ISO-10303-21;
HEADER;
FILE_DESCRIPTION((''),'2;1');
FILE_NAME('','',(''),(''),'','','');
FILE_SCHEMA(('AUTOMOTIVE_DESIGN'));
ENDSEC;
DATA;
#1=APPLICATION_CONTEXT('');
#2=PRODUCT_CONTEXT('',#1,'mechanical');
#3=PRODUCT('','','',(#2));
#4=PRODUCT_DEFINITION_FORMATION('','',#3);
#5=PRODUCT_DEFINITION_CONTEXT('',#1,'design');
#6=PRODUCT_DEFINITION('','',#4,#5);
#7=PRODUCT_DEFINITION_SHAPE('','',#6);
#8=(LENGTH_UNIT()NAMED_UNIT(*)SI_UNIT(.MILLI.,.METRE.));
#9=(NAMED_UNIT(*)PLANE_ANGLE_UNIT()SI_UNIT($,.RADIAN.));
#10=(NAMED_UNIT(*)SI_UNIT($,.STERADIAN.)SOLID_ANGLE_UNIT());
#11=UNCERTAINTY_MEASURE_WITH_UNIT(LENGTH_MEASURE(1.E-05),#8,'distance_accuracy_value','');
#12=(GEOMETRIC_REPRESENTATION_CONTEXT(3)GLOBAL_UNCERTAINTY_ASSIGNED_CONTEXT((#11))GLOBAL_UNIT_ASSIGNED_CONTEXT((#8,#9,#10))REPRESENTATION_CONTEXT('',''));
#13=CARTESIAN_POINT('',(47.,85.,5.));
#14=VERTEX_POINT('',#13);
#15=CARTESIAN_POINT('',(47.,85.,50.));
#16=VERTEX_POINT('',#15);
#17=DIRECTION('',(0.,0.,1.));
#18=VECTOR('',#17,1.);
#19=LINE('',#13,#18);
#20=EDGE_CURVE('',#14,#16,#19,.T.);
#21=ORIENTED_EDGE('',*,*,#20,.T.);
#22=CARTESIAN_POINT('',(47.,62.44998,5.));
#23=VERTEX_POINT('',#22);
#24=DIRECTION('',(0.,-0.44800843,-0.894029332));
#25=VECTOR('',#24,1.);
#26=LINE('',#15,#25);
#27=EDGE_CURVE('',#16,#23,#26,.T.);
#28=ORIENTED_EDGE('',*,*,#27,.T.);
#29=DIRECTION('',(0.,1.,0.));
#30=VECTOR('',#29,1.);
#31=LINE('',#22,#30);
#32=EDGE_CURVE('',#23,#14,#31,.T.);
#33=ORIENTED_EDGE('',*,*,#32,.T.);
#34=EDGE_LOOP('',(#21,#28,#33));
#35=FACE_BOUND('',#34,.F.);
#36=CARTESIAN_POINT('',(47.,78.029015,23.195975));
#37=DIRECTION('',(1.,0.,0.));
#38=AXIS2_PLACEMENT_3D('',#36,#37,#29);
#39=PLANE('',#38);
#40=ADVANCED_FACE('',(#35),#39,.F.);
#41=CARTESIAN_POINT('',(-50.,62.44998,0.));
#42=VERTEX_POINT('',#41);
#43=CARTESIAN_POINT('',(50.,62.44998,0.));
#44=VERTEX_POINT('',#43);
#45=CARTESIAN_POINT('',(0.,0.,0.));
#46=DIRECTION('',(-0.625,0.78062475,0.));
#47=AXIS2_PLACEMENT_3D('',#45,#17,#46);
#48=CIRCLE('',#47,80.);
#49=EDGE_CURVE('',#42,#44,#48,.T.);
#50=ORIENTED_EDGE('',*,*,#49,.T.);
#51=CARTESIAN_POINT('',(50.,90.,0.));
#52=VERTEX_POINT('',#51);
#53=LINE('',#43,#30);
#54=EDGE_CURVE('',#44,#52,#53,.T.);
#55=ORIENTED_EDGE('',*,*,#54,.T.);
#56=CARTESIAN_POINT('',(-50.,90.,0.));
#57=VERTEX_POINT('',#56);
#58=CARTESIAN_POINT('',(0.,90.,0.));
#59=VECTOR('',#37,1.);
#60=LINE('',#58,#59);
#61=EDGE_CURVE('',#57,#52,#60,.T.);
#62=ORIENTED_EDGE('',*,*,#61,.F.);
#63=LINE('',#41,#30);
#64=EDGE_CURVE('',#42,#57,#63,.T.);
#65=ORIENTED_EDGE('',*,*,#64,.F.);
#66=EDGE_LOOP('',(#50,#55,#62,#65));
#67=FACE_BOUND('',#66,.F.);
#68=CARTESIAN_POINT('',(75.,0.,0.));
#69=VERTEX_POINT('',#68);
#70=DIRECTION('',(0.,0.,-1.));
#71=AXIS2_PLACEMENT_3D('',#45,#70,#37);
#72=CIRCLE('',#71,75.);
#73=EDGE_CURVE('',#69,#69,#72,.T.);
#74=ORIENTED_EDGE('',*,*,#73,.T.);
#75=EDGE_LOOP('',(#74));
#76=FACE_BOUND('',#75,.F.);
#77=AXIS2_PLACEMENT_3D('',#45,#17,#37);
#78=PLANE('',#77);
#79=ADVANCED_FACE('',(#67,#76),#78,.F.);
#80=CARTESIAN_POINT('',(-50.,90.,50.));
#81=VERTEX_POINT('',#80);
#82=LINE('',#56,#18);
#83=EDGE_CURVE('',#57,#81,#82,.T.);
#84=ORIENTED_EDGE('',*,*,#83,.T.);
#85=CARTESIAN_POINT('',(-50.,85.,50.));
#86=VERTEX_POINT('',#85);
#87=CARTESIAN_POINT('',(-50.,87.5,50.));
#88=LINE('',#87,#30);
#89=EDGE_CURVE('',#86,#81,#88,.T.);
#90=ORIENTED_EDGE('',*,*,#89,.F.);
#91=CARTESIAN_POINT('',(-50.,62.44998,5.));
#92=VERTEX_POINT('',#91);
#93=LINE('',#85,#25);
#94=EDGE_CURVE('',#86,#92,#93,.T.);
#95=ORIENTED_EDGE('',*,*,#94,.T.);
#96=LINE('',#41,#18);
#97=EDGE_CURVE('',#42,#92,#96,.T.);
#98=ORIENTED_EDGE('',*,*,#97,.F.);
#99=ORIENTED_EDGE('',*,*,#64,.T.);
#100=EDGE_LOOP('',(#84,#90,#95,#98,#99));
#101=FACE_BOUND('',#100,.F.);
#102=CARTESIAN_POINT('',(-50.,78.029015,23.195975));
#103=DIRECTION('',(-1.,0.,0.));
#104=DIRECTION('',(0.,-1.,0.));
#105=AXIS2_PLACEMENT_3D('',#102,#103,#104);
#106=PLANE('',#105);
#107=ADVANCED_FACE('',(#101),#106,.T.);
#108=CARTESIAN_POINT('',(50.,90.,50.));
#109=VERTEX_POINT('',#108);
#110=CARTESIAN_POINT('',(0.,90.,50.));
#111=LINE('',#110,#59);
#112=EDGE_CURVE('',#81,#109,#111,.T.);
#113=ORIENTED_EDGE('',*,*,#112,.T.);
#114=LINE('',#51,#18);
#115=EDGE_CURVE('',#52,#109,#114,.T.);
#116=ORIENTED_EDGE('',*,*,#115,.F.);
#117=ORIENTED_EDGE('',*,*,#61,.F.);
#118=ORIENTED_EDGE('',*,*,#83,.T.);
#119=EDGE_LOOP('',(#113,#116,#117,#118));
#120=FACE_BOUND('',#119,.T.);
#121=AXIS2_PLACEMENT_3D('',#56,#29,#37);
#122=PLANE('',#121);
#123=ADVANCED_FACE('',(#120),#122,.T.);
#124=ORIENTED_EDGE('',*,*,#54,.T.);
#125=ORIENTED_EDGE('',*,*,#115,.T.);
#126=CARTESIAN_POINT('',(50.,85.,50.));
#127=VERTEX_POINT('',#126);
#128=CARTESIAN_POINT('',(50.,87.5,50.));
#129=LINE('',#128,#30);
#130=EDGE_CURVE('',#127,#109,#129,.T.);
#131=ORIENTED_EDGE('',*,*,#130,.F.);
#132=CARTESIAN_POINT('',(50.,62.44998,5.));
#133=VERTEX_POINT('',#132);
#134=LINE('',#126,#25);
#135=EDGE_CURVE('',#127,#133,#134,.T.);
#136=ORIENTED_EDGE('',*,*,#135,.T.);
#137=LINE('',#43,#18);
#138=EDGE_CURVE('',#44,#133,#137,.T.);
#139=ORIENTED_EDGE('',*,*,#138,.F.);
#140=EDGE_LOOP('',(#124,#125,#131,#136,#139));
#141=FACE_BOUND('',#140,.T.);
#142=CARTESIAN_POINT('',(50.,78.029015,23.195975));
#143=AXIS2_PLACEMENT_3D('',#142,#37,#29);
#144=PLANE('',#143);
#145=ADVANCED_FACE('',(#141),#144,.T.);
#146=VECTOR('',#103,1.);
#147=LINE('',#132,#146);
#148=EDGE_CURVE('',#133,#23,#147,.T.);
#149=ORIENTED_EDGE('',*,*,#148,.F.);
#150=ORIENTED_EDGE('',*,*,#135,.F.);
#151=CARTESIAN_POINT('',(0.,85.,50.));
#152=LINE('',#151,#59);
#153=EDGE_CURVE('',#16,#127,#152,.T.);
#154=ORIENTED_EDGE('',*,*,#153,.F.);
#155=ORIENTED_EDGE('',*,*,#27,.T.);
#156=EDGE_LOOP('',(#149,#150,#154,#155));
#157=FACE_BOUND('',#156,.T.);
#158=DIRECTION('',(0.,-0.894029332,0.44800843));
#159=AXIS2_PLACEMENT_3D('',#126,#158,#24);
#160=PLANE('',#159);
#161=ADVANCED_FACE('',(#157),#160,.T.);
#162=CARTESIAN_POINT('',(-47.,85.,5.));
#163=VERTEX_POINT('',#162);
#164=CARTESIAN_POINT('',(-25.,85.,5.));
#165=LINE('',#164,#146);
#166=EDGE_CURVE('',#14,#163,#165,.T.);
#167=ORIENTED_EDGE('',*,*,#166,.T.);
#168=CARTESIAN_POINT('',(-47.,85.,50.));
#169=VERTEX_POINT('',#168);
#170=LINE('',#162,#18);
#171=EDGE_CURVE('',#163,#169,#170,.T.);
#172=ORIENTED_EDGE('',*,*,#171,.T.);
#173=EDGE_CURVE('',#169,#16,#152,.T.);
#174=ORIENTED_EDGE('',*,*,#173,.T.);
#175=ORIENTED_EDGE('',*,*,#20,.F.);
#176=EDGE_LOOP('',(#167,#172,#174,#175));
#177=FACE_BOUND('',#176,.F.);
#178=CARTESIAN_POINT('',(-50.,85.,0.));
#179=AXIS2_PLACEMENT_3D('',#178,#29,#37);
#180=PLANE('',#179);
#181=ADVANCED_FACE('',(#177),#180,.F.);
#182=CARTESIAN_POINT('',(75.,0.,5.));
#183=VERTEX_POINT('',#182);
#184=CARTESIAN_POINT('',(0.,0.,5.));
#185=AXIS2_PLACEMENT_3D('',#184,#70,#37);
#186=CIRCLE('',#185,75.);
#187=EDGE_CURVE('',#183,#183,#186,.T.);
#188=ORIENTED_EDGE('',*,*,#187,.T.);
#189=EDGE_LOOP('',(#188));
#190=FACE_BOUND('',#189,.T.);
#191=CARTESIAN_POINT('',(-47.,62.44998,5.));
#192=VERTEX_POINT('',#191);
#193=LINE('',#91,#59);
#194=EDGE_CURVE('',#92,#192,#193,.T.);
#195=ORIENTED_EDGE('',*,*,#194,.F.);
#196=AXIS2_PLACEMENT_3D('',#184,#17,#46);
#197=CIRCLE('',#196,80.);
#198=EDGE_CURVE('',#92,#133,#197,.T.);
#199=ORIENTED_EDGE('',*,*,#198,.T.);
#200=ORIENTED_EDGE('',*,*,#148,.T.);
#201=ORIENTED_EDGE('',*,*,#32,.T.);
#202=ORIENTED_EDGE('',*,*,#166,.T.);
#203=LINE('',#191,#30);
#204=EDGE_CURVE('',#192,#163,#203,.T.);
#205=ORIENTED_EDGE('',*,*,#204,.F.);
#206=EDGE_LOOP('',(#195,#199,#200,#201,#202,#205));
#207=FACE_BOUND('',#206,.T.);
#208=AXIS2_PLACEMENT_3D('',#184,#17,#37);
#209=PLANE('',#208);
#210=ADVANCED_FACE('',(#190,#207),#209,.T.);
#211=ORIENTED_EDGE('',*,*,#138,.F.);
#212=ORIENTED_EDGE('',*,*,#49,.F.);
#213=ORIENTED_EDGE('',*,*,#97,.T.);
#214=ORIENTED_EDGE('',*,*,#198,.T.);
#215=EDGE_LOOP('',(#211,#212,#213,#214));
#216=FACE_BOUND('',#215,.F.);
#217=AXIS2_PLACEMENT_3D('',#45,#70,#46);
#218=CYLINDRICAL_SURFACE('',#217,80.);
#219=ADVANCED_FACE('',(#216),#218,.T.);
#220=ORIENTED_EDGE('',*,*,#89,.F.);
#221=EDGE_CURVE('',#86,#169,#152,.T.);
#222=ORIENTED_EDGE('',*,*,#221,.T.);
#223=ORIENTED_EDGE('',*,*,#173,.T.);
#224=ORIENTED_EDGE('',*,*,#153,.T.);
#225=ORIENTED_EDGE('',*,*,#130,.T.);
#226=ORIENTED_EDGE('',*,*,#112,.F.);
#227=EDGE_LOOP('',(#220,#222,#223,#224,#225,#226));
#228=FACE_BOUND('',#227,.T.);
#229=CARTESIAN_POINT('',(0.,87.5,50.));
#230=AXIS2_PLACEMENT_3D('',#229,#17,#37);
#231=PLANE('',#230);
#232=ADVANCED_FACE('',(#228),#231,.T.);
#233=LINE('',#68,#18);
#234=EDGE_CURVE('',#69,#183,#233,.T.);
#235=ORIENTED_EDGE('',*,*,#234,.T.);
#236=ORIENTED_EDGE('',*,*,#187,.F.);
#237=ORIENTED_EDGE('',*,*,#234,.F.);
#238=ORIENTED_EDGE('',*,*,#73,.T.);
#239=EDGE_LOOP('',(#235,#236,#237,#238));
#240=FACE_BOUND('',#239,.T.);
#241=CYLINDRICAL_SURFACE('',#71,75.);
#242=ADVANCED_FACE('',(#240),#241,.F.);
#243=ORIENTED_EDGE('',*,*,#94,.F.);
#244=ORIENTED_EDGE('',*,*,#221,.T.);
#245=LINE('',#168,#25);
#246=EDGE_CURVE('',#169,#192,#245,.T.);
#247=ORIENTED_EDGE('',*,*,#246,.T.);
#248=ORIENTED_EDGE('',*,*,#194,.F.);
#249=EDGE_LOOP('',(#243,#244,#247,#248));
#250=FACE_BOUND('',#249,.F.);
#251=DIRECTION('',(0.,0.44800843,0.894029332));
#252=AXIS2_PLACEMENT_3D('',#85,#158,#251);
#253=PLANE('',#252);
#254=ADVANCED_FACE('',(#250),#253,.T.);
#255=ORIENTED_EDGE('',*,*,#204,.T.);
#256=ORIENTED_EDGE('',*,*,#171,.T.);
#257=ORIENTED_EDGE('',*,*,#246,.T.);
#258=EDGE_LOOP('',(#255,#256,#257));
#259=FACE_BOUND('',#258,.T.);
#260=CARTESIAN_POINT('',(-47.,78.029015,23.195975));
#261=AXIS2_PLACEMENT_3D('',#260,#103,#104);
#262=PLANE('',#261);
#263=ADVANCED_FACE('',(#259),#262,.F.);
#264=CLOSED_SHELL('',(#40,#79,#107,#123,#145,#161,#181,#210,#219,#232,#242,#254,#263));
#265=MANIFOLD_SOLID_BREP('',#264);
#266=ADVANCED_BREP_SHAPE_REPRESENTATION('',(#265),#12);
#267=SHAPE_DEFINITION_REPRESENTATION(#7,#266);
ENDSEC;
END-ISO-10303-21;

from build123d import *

# Parameters (mm, degrees)
F0_R     = 75
F0_W     = 100
F0_H     = 5
F1_DEPTH = 5
F2_DEPTH = 50
F4_DEPTH = 3


with BuildPart() as f1:
    # F0 (on Top) → F1 (new body)
    with BuildSketch(Plane.XY):
        with BuildLine():
            ThreePointArc((-50, 62.449979984), (-34.6410161514, -72.1110255093), (80, 0))
            ThreePointArc((80, 0), (72.1110255093, 34.6410161514), (50, 62.449979984))
            ThreePointArc((50, 62.449979984), (0, 80), (-50, 62.449979984))
        make_face()
        Circle(F0_R, mode=Mode.SUBTRACT)
        with BuildLine():
            ThreePointArc((-50, 62.449979984), (0, 80), (50, 62.449979984))
            Line((50, 62.449979984), (50, 85))
            Line((50, 85), (-50, 85))
            Line((-50, 85), (-50, 62.449979984))
        make_face()
        with Locations((0, 87.5)):
            Rectangle(F0_W, F0_H)
    extrude(amount=F1_DEPTH)

    # F0 (on Top) → F2 (join)
    with BuildSketch(Plane.XY):
        with Locations((0, 87.5)):
            Rectangle(F0_W, F0_H)
    extrude(amount=F2_DEPTH)

    # F3 (on face) → F4 (join)
    with BuildSketch(Plane.YZ.offset(50)):
        Polygon((85, 5), (85, 50), (62.449979984, 5), align=None)
    extrude(amount=-F4_DEPTH)

    # F5: F1 across plane


with BuildPart() as f1_1:
    add(f1.part)
    add(f1.part.mirror(Plane.YZ))


solid = f1_1.part
